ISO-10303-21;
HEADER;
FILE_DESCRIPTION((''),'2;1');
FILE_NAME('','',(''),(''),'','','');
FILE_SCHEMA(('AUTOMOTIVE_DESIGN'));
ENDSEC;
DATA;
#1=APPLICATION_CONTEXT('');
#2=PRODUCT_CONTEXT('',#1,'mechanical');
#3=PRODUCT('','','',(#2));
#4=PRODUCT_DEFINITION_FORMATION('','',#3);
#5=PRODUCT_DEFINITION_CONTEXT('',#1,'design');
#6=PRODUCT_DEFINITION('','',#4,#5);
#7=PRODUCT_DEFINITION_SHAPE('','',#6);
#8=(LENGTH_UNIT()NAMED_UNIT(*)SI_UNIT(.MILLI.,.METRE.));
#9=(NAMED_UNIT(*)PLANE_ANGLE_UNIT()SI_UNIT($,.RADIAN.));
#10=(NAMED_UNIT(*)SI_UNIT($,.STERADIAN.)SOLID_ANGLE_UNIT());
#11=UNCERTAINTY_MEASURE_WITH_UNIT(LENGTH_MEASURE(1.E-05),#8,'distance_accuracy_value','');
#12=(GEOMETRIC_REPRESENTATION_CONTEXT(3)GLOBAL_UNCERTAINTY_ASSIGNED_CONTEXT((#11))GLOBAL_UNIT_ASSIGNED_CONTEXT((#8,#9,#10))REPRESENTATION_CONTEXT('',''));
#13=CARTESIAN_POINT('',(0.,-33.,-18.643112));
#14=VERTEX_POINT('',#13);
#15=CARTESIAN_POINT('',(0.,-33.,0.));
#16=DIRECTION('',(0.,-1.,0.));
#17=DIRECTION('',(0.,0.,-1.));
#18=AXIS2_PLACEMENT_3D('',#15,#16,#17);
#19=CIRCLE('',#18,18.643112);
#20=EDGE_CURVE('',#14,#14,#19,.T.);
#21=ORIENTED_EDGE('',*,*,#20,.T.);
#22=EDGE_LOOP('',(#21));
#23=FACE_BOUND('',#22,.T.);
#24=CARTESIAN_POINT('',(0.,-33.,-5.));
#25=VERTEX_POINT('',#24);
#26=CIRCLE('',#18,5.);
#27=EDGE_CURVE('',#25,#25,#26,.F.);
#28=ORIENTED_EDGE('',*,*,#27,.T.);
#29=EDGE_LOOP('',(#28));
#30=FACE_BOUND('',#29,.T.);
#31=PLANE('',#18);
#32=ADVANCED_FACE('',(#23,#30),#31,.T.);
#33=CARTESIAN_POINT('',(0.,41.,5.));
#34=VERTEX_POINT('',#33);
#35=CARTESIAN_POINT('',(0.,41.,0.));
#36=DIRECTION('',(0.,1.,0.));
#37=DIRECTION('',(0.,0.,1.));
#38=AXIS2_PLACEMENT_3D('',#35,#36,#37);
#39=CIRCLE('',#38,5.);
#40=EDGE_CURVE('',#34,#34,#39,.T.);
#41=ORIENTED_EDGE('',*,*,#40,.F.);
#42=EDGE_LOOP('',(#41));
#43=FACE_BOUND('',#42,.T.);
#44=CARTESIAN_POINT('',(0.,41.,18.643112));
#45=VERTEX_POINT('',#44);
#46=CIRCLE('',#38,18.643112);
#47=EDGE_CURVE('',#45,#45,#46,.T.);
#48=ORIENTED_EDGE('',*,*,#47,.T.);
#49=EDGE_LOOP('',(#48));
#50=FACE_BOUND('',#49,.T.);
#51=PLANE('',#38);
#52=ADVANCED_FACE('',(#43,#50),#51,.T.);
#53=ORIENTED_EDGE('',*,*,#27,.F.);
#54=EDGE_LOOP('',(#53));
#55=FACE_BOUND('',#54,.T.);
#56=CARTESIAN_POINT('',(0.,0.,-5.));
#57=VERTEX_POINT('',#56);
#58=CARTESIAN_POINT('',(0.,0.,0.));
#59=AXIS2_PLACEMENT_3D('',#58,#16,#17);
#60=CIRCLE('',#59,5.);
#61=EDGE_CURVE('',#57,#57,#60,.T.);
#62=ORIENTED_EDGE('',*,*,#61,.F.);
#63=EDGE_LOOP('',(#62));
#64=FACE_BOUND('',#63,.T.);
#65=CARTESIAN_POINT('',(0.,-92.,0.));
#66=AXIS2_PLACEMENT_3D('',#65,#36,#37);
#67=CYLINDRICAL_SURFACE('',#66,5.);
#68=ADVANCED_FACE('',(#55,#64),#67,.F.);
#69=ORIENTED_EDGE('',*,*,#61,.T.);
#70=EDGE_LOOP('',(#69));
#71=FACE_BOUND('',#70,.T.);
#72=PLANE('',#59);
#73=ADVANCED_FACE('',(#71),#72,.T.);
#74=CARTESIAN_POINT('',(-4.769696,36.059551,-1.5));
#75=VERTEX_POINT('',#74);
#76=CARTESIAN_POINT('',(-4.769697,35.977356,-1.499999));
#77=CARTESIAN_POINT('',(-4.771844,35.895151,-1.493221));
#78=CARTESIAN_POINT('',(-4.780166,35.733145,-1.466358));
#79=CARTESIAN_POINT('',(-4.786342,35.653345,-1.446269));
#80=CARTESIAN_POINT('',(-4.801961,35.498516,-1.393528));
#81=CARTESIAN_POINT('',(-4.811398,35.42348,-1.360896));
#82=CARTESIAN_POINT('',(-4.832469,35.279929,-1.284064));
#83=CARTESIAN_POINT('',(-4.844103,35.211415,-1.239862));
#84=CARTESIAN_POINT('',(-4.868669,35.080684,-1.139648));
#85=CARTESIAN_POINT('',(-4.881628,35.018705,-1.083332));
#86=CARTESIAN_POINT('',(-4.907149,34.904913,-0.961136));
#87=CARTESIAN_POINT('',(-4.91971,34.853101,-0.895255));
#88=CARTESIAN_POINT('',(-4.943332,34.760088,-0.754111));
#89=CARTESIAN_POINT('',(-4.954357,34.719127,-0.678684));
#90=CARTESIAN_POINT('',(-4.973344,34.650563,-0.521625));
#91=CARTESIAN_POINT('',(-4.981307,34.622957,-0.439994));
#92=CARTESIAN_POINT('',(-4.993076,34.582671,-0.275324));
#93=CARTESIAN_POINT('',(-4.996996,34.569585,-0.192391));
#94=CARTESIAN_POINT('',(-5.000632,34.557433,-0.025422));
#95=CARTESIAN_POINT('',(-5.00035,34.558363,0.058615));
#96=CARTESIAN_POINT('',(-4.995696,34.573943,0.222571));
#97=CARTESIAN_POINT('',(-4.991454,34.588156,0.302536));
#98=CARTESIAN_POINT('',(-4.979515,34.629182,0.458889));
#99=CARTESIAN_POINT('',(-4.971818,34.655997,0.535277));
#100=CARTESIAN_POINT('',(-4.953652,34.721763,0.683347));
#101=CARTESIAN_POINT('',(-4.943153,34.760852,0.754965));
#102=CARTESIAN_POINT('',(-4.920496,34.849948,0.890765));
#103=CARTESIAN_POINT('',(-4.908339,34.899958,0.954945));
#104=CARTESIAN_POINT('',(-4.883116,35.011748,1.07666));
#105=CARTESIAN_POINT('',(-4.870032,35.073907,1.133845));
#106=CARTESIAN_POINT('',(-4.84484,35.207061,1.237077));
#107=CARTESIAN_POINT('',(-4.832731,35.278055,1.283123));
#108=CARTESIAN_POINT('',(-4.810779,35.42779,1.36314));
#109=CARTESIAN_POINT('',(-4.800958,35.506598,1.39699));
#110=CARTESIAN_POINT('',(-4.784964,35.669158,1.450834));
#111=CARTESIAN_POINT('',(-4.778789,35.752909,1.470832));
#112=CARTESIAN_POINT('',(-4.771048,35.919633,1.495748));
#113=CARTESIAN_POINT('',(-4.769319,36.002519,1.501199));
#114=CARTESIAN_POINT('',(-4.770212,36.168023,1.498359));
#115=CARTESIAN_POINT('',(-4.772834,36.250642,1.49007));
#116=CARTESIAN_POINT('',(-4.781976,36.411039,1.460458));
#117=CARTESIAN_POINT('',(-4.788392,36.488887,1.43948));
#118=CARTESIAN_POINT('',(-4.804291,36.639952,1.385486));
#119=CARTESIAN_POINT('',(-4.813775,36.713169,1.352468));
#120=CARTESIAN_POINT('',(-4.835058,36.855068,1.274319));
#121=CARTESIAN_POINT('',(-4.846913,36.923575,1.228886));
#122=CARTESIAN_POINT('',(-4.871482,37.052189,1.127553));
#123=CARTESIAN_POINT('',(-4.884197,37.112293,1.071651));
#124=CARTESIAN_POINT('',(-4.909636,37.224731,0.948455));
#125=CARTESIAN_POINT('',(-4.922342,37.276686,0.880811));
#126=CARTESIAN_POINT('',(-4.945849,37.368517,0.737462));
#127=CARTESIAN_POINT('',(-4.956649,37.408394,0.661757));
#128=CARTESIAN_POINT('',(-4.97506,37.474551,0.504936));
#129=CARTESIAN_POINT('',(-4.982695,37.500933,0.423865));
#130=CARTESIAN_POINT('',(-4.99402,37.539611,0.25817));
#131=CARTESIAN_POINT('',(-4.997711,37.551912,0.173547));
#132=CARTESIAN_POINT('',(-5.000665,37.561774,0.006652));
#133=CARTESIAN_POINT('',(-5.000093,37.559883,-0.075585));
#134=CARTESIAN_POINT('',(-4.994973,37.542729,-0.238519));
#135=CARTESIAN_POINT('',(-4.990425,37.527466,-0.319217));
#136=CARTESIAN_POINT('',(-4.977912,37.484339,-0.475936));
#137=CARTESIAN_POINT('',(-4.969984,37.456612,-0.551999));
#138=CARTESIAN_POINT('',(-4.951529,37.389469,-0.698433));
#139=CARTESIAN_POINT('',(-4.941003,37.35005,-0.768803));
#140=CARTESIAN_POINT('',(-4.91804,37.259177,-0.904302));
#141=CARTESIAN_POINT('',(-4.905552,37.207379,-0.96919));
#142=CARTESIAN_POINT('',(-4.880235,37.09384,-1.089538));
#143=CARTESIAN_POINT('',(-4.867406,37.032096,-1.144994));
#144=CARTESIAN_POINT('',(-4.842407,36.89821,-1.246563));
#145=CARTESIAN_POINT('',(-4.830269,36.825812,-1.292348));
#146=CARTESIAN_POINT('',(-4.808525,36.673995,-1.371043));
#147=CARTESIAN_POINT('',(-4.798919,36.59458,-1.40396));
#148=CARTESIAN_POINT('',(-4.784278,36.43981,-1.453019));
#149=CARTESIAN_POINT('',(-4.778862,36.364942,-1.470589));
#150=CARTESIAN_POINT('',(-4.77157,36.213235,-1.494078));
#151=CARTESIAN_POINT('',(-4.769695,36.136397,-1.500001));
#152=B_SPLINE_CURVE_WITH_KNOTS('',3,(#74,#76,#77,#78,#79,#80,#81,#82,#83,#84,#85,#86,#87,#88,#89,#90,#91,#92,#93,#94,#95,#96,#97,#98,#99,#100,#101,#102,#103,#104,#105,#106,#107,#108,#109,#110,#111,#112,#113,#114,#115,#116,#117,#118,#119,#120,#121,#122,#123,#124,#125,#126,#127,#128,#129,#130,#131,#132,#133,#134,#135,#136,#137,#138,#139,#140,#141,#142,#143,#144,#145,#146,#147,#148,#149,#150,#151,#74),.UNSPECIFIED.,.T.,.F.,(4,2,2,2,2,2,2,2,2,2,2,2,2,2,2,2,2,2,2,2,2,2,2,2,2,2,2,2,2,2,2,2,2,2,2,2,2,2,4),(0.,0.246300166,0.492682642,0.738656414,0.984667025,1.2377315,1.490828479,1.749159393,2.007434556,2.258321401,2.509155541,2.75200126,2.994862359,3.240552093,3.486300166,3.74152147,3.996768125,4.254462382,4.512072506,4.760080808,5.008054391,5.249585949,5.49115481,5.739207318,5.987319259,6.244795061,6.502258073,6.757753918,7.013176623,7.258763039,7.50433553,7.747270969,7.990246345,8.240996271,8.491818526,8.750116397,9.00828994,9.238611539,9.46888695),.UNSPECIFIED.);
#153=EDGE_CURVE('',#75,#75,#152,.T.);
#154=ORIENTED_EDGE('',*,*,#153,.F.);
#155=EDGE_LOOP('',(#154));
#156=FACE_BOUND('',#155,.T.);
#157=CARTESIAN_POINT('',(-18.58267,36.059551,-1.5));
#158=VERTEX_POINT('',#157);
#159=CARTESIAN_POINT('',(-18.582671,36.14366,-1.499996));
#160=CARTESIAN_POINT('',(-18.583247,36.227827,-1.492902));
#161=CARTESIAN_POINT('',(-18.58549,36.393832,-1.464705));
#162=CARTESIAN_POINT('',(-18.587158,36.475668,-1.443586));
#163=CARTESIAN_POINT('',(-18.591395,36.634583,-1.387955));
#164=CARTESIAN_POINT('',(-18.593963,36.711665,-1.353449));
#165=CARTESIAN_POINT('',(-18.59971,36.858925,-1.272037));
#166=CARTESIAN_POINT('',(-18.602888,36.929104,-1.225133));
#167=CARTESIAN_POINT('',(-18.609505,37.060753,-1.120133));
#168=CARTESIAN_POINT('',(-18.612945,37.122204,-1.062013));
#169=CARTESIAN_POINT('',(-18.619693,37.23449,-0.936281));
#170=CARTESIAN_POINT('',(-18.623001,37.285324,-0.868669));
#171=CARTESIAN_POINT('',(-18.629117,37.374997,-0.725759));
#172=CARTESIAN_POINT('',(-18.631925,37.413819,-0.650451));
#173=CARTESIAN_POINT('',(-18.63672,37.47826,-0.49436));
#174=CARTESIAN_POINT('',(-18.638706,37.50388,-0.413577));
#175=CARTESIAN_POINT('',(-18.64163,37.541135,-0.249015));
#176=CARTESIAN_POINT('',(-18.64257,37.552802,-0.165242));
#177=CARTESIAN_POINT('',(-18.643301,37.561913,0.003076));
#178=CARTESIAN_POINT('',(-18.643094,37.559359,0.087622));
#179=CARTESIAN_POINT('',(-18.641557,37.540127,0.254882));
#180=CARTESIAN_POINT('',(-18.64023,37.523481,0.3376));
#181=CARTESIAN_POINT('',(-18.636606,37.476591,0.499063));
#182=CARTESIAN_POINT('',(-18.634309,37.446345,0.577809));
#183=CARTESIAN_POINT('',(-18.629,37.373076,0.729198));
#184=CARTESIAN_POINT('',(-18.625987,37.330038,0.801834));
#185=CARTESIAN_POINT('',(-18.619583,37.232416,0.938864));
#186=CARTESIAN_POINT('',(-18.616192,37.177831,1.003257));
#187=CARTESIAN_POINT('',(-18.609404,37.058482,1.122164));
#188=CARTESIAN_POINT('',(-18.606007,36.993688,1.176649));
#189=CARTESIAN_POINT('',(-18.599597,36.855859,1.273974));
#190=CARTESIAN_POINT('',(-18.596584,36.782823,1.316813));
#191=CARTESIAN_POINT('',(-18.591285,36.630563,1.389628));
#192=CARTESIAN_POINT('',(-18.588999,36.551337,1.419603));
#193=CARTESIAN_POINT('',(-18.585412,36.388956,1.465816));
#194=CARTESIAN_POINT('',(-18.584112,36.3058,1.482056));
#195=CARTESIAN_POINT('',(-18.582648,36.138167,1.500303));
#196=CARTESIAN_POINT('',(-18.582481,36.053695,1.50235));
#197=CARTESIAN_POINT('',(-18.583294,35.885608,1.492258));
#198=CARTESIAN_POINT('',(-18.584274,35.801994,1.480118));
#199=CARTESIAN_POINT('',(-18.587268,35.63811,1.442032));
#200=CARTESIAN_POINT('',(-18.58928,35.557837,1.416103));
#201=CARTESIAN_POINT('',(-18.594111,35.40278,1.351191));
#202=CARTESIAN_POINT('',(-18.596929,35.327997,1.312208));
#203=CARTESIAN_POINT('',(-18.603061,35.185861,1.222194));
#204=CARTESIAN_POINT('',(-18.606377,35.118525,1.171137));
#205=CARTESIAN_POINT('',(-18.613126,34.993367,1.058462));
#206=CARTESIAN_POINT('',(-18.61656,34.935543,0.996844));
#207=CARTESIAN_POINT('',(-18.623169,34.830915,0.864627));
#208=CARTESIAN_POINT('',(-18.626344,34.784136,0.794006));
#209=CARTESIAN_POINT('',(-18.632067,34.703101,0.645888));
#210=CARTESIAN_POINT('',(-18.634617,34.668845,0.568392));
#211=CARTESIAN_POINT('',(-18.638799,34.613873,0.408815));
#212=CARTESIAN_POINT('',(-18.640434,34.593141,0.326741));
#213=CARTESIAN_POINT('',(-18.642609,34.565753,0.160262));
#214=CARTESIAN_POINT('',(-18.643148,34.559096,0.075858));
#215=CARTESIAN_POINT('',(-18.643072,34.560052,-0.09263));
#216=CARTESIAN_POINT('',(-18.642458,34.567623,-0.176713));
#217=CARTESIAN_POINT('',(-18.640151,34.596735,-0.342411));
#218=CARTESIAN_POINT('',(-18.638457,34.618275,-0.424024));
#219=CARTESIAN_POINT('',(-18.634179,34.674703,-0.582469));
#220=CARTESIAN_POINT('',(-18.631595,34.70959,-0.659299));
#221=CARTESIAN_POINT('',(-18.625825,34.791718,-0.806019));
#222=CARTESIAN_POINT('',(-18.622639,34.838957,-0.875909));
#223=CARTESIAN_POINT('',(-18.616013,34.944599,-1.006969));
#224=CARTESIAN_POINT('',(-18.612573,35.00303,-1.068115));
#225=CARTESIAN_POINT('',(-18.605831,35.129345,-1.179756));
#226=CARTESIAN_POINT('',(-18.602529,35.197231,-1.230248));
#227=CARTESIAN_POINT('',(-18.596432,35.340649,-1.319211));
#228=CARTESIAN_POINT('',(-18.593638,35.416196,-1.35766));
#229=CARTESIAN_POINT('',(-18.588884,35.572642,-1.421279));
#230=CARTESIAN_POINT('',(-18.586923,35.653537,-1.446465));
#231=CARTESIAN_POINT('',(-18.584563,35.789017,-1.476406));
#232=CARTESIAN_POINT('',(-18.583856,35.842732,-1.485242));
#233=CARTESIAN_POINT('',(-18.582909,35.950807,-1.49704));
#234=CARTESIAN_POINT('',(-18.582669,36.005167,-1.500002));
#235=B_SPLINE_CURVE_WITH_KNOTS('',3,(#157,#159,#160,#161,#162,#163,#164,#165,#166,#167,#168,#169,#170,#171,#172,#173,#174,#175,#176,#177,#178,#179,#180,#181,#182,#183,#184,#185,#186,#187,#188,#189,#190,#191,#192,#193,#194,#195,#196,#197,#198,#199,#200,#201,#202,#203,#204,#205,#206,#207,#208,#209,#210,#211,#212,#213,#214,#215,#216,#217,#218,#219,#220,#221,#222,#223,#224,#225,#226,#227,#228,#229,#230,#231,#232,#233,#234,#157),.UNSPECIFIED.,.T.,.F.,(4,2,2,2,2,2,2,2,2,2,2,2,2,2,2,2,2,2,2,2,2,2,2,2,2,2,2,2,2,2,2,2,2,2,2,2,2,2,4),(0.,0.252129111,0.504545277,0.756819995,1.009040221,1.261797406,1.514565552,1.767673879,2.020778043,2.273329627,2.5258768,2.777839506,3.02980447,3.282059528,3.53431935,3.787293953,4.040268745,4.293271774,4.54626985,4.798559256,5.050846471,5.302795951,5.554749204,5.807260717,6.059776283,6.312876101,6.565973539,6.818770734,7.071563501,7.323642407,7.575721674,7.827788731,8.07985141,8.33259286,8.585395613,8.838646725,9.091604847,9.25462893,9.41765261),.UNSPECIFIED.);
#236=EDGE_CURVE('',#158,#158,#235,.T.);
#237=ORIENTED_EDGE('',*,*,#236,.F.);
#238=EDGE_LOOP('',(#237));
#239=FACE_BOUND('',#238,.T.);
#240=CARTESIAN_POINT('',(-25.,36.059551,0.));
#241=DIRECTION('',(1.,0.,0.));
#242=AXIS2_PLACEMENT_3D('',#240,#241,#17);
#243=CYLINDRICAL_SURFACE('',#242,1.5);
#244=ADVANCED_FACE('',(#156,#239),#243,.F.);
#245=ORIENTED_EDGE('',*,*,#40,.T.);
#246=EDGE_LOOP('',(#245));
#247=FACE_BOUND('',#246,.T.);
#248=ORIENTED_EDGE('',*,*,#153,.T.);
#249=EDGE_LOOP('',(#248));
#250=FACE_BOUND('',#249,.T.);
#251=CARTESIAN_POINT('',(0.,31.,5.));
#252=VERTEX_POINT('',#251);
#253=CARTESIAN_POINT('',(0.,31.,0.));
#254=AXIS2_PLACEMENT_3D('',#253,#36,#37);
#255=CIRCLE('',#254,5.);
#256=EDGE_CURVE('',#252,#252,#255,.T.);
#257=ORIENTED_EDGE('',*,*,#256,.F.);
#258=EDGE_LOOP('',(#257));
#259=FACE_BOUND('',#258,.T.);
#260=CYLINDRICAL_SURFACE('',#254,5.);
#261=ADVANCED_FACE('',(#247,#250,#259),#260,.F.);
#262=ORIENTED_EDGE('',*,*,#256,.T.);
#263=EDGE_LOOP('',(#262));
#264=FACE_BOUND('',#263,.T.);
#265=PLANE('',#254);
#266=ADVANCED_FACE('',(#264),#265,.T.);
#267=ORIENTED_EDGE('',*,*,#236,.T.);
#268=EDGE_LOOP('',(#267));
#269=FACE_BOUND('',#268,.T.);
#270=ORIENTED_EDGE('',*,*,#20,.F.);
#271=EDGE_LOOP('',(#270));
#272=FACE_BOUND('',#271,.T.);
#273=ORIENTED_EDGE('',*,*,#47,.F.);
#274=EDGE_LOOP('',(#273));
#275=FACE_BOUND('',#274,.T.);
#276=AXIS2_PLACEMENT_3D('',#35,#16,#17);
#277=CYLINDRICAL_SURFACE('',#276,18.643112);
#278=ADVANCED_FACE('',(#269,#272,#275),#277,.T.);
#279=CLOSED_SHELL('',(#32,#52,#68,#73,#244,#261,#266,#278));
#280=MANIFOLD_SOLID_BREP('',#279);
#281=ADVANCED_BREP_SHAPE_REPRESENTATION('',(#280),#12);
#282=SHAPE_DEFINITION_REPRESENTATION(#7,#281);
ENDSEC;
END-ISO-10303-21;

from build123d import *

# Parameters (mm, degrees)
SKETCH1_R                   = 18.643111828
F_40MM_ARM_DEPTH            = 41
SKETCH2_R                   = 5
F_10MM_HOLE_10MM_DEEP_DEPTH = 10
SKETCH3_R                   = 1.5
F_0_01M_SCREW_HOLE_DEPTH    = 25
BOSS_EXTRUDE1_START         = 33
SKETCH5_R                   = 18.643111828
BOSS_EXTRUDE1_DEPTH         = 33
SKETCH4_R                   = 5
CUT_EXTRUDE2_DEPTH          = 92


with BuildPart() as part:
    # Sketch1 → 40mm arm (new body)
    with BuildSketch(Plane(origin=(0, 0, 0), x_dir=(1, 0, 0), z_dir=(0, 1, 0))):
        with Locations(Location((0, 0, 0), (0, 0, 270))):
            Circle(SKETCH1_R)
    extrude(amount=F_40MM_ARM_DEPTH)

    # Sketch2 → 10mm hole, 10mm deep (cut)
    with BuildSketch(Plane(origin=(0, 41, 0), x_dir=(1, 0, 0), z_dir=(0, 1, 0))):
        with Locations(Location((0, 0, 0), (0, 0, 270))):
            Circle(SKETCH2_R)
    extrude(amount=-F_10MM_HOLE_10MM_DEEP_DEPTH, mode=Mode.SUBTRACT)

    # Sketch3 → 0.01m screw hole (cut)
    with BuildSketch(Plane(origin=(0, 0, 0), x_dir=(0, 0, -1), z_dir=(1, 0, 0))):
        with Locations((0, 36.059550575)):
            Circle(SKETCH3_R)
    extrude(amount=-F_0_01M_SCREW_HOLE_DEPTH, mode=Mode.SUBTRACT)

    # Sketch5 → Boss-Extrude1 (add)
    with BuildSketch(Plane.XZ.offset(BOSS_EXTRUDE1_START)):
        with Locations(Location((0, 0, 0), (0, 0, 270))):
            Circle(SKETCH5_R)
    extrude(amount=-BOSS_EXTRUDE1_DEPTH)

    # Sketch4 → Cut-Extrude2 (cut)
    with BuildSketch(Plane.XZ):
        with Locations(Location((0, 0, 0), (0, 0, 90))):
            Circle(SKETCH4_R)
    extrude(amount=CUT_EXTRUDE2_DEPTH, mode=Mode.SUBTRACT)


solid = part.part
